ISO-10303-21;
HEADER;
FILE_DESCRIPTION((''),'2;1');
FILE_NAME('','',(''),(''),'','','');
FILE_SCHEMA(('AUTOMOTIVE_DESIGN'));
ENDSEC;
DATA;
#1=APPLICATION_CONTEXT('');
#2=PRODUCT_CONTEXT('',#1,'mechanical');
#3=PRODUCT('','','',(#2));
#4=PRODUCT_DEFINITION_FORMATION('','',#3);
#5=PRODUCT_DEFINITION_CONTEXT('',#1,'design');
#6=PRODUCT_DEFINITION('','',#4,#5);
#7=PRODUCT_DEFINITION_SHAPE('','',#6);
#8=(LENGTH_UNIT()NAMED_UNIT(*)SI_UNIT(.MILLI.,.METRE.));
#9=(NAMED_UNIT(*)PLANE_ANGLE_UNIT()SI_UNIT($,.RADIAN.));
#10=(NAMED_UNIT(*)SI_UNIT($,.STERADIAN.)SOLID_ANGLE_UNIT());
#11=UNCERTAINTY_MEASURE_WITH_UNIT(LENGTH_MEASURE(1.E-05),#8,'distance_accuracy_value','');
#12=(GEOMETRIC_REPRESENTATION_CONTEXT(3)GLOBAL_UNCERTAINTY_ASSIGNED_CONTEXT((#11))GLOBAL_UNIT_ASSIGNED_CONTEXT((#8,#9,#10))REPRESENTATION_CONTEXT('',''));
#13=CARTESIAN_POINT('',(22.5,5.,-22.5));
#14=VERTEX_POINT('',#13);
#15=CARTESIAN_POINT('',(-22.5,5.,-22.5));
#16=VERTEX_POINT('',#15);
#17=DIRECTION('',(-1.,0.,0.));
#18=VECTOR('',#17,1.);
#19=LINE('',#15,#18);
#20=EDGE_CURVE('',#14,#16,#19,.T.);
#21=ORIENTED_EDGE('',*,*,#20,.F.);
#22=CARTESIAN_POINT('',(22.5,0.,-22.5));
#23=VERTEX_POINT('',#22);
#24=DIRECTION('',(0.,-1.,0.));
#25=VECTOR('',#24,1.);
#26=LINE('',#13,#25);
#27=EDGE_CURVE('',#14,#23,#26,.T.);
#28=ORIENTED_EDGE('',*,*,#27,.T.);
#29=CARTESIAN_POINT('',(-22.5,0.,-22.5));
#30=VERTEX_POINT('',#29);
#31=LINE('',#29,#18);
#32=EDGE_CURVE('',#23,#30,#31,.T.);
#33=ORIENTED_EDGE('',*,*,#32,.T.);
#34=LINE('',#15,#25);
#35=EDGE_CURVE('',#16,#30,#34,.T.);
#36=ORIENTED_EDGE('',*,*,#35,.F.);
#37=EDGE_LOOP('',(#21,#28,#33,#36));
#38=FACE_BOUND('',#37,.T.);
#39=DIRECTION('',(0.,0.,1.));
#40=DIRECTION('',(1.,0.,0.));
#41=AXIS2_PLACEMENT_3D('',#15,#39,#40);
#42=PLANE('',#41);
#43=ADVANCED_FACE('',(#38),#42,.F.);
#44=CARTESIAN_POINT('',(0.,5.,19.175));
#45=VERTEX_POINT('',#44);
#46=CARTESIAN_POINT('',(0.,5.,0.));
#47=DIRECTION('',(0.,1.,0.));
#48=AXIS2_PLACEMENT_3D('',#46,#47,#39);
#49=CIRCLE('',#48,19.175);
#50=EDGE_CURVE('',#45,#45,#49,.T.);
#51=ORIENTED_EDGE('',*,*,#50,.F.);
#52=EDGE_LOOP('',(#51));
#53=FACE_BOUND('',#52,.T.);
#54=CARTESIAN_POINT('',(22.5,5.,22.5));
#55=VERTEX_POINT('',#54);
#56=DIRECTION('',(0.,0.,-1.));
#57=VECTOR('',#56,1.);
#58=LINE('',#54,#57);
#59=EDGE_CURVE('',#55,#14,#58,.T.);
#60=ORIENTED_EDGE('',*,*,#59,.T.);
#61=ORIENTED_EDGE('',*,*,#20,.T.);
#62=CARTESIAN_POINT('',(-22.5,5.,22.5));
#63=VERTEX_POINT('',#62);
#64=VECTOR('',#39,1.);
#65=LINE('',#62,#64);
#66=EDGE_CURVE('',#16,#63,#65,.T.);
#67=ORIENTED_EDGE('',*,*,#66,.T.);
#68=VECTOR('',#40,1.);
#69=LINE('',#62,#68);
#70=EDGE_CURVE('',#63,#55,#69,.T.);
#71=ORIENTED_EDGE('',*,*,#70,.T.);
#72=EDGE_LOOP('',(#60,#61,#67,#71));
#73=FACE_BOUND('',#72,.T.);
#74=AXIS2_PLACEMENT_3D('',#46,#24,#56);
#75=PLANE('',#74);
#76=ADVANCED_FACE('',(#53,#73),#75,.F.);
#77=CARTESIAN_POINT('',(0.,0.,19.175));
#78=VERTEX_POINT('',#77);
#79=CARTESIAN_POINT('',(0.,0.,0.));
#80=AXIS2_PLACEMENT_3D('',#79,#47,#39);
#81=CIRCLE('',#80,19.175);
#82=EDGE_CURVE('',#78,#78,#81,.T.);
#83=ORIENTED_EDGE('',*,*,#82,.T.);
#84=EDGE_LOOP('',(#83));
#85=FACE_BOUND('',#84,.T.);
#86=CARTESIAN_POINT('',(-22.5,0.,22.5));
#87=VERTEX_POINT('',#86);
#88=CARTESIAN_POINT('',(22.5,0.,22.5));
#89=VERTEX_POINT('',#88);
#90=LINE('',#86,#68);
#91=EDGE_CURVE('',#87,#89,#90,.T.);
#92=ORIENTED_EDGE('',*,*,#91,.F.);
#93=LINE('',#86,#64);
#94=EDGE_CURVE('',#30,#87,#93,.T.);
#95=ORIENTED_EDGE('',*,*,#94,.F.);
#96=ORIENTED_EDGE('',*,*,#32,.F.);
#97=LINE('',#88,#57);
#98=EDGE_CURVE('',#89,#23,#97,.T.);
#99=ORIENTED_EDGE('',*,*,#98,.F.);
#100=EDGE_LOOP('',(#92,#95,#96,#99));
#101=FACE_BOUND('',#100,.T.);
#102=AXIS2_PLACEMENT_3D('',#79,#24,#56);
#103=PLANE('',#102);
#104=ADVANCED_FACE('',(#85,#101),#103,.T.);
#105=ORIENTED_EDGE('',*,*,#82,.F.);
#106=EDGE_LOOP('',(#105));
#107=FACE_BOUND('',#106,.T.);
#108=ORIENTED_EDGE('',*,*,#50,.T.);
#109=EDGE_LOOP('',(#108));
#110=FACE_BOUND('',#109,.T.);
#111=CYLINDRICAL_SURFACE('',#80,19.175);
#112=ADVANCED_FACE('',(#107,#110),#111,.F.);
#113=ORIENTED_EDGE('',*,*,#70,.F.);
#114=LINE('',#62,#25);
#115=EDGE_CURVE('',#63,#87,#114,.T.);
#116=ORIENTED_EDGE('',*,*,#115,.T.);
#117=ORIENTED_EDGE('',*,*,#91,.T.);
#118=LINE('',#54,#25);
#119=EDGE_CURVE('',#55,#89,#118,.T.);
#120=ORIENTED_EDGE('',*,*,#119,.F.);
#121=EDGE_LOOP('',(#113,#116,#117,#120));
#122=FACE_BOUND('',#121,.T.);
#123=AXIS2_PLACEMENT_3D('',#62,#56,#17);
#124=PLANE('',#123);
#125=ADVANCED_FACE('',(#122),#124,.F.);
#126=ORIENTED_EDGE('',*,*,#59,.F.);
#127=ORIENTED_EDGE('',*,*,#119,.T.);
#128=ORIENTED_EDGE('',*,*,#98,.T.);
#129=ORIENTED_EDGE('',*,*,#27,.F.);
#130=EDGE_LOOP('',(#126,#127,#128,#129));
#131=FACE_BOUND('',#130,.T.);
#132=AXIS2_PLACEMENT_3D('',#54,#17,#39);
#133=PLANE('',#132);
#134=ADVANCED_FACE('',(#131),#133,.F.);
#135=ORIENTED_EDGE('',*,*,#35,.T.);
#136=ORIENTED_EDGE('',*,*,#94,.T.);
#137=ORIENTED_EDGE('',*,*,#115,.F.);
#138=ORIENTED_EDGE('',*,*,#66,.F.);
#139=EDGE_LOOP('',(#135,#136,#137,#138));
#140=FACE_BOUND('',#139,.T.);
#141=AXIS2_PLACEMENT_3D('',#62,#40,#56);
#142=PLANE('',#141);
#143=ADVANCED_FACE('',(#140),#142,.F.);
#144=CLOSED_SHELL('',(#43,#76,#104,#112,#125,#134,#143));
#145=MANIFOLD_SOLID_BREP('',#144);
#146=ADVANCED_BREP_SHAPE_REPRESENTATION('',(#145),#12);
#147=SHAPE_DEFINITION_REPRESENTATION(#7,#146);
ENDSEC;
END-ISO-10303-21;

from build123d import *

# Parameters (mm, degrees)
SKETCH1_W           = 45
SKETCH1_H           = 45
BOSS_EXTRUDE1_DEPTH = 5
SKETCH2_R           = 19.175
CUT_EXTRUDE1_DEPTH  = 5


with BuildPart() as part:
    # Sketch1 → Boss-Extrude1 (new body)
    with BuildSketch(Plane(origin=(0, 0, 0), x_dir=(1, 0, 0), z_dir=(0, 1, 0))):
        Rectangle(SKETCH1_W, SKETCH1_H)
    extrude(amount=BOSS_EXTRUDE1_DEPTH)

    # Sketch2 → Cut-Extrude1 (cut)
    with BuildSketch(Plane(origin=(0, 5, 0), x_dir=(1, 0, 0), z_dir=(0, 1, 0))):
        with Locations(Location((0, 0, 0), (0, 0, 270))):
            Circle(SKETCH2_R)
    extrude(amount=-CUT_EXTRUDE1_DEPTH, mode=Mode.SUBTRACT)


solid = part.part
